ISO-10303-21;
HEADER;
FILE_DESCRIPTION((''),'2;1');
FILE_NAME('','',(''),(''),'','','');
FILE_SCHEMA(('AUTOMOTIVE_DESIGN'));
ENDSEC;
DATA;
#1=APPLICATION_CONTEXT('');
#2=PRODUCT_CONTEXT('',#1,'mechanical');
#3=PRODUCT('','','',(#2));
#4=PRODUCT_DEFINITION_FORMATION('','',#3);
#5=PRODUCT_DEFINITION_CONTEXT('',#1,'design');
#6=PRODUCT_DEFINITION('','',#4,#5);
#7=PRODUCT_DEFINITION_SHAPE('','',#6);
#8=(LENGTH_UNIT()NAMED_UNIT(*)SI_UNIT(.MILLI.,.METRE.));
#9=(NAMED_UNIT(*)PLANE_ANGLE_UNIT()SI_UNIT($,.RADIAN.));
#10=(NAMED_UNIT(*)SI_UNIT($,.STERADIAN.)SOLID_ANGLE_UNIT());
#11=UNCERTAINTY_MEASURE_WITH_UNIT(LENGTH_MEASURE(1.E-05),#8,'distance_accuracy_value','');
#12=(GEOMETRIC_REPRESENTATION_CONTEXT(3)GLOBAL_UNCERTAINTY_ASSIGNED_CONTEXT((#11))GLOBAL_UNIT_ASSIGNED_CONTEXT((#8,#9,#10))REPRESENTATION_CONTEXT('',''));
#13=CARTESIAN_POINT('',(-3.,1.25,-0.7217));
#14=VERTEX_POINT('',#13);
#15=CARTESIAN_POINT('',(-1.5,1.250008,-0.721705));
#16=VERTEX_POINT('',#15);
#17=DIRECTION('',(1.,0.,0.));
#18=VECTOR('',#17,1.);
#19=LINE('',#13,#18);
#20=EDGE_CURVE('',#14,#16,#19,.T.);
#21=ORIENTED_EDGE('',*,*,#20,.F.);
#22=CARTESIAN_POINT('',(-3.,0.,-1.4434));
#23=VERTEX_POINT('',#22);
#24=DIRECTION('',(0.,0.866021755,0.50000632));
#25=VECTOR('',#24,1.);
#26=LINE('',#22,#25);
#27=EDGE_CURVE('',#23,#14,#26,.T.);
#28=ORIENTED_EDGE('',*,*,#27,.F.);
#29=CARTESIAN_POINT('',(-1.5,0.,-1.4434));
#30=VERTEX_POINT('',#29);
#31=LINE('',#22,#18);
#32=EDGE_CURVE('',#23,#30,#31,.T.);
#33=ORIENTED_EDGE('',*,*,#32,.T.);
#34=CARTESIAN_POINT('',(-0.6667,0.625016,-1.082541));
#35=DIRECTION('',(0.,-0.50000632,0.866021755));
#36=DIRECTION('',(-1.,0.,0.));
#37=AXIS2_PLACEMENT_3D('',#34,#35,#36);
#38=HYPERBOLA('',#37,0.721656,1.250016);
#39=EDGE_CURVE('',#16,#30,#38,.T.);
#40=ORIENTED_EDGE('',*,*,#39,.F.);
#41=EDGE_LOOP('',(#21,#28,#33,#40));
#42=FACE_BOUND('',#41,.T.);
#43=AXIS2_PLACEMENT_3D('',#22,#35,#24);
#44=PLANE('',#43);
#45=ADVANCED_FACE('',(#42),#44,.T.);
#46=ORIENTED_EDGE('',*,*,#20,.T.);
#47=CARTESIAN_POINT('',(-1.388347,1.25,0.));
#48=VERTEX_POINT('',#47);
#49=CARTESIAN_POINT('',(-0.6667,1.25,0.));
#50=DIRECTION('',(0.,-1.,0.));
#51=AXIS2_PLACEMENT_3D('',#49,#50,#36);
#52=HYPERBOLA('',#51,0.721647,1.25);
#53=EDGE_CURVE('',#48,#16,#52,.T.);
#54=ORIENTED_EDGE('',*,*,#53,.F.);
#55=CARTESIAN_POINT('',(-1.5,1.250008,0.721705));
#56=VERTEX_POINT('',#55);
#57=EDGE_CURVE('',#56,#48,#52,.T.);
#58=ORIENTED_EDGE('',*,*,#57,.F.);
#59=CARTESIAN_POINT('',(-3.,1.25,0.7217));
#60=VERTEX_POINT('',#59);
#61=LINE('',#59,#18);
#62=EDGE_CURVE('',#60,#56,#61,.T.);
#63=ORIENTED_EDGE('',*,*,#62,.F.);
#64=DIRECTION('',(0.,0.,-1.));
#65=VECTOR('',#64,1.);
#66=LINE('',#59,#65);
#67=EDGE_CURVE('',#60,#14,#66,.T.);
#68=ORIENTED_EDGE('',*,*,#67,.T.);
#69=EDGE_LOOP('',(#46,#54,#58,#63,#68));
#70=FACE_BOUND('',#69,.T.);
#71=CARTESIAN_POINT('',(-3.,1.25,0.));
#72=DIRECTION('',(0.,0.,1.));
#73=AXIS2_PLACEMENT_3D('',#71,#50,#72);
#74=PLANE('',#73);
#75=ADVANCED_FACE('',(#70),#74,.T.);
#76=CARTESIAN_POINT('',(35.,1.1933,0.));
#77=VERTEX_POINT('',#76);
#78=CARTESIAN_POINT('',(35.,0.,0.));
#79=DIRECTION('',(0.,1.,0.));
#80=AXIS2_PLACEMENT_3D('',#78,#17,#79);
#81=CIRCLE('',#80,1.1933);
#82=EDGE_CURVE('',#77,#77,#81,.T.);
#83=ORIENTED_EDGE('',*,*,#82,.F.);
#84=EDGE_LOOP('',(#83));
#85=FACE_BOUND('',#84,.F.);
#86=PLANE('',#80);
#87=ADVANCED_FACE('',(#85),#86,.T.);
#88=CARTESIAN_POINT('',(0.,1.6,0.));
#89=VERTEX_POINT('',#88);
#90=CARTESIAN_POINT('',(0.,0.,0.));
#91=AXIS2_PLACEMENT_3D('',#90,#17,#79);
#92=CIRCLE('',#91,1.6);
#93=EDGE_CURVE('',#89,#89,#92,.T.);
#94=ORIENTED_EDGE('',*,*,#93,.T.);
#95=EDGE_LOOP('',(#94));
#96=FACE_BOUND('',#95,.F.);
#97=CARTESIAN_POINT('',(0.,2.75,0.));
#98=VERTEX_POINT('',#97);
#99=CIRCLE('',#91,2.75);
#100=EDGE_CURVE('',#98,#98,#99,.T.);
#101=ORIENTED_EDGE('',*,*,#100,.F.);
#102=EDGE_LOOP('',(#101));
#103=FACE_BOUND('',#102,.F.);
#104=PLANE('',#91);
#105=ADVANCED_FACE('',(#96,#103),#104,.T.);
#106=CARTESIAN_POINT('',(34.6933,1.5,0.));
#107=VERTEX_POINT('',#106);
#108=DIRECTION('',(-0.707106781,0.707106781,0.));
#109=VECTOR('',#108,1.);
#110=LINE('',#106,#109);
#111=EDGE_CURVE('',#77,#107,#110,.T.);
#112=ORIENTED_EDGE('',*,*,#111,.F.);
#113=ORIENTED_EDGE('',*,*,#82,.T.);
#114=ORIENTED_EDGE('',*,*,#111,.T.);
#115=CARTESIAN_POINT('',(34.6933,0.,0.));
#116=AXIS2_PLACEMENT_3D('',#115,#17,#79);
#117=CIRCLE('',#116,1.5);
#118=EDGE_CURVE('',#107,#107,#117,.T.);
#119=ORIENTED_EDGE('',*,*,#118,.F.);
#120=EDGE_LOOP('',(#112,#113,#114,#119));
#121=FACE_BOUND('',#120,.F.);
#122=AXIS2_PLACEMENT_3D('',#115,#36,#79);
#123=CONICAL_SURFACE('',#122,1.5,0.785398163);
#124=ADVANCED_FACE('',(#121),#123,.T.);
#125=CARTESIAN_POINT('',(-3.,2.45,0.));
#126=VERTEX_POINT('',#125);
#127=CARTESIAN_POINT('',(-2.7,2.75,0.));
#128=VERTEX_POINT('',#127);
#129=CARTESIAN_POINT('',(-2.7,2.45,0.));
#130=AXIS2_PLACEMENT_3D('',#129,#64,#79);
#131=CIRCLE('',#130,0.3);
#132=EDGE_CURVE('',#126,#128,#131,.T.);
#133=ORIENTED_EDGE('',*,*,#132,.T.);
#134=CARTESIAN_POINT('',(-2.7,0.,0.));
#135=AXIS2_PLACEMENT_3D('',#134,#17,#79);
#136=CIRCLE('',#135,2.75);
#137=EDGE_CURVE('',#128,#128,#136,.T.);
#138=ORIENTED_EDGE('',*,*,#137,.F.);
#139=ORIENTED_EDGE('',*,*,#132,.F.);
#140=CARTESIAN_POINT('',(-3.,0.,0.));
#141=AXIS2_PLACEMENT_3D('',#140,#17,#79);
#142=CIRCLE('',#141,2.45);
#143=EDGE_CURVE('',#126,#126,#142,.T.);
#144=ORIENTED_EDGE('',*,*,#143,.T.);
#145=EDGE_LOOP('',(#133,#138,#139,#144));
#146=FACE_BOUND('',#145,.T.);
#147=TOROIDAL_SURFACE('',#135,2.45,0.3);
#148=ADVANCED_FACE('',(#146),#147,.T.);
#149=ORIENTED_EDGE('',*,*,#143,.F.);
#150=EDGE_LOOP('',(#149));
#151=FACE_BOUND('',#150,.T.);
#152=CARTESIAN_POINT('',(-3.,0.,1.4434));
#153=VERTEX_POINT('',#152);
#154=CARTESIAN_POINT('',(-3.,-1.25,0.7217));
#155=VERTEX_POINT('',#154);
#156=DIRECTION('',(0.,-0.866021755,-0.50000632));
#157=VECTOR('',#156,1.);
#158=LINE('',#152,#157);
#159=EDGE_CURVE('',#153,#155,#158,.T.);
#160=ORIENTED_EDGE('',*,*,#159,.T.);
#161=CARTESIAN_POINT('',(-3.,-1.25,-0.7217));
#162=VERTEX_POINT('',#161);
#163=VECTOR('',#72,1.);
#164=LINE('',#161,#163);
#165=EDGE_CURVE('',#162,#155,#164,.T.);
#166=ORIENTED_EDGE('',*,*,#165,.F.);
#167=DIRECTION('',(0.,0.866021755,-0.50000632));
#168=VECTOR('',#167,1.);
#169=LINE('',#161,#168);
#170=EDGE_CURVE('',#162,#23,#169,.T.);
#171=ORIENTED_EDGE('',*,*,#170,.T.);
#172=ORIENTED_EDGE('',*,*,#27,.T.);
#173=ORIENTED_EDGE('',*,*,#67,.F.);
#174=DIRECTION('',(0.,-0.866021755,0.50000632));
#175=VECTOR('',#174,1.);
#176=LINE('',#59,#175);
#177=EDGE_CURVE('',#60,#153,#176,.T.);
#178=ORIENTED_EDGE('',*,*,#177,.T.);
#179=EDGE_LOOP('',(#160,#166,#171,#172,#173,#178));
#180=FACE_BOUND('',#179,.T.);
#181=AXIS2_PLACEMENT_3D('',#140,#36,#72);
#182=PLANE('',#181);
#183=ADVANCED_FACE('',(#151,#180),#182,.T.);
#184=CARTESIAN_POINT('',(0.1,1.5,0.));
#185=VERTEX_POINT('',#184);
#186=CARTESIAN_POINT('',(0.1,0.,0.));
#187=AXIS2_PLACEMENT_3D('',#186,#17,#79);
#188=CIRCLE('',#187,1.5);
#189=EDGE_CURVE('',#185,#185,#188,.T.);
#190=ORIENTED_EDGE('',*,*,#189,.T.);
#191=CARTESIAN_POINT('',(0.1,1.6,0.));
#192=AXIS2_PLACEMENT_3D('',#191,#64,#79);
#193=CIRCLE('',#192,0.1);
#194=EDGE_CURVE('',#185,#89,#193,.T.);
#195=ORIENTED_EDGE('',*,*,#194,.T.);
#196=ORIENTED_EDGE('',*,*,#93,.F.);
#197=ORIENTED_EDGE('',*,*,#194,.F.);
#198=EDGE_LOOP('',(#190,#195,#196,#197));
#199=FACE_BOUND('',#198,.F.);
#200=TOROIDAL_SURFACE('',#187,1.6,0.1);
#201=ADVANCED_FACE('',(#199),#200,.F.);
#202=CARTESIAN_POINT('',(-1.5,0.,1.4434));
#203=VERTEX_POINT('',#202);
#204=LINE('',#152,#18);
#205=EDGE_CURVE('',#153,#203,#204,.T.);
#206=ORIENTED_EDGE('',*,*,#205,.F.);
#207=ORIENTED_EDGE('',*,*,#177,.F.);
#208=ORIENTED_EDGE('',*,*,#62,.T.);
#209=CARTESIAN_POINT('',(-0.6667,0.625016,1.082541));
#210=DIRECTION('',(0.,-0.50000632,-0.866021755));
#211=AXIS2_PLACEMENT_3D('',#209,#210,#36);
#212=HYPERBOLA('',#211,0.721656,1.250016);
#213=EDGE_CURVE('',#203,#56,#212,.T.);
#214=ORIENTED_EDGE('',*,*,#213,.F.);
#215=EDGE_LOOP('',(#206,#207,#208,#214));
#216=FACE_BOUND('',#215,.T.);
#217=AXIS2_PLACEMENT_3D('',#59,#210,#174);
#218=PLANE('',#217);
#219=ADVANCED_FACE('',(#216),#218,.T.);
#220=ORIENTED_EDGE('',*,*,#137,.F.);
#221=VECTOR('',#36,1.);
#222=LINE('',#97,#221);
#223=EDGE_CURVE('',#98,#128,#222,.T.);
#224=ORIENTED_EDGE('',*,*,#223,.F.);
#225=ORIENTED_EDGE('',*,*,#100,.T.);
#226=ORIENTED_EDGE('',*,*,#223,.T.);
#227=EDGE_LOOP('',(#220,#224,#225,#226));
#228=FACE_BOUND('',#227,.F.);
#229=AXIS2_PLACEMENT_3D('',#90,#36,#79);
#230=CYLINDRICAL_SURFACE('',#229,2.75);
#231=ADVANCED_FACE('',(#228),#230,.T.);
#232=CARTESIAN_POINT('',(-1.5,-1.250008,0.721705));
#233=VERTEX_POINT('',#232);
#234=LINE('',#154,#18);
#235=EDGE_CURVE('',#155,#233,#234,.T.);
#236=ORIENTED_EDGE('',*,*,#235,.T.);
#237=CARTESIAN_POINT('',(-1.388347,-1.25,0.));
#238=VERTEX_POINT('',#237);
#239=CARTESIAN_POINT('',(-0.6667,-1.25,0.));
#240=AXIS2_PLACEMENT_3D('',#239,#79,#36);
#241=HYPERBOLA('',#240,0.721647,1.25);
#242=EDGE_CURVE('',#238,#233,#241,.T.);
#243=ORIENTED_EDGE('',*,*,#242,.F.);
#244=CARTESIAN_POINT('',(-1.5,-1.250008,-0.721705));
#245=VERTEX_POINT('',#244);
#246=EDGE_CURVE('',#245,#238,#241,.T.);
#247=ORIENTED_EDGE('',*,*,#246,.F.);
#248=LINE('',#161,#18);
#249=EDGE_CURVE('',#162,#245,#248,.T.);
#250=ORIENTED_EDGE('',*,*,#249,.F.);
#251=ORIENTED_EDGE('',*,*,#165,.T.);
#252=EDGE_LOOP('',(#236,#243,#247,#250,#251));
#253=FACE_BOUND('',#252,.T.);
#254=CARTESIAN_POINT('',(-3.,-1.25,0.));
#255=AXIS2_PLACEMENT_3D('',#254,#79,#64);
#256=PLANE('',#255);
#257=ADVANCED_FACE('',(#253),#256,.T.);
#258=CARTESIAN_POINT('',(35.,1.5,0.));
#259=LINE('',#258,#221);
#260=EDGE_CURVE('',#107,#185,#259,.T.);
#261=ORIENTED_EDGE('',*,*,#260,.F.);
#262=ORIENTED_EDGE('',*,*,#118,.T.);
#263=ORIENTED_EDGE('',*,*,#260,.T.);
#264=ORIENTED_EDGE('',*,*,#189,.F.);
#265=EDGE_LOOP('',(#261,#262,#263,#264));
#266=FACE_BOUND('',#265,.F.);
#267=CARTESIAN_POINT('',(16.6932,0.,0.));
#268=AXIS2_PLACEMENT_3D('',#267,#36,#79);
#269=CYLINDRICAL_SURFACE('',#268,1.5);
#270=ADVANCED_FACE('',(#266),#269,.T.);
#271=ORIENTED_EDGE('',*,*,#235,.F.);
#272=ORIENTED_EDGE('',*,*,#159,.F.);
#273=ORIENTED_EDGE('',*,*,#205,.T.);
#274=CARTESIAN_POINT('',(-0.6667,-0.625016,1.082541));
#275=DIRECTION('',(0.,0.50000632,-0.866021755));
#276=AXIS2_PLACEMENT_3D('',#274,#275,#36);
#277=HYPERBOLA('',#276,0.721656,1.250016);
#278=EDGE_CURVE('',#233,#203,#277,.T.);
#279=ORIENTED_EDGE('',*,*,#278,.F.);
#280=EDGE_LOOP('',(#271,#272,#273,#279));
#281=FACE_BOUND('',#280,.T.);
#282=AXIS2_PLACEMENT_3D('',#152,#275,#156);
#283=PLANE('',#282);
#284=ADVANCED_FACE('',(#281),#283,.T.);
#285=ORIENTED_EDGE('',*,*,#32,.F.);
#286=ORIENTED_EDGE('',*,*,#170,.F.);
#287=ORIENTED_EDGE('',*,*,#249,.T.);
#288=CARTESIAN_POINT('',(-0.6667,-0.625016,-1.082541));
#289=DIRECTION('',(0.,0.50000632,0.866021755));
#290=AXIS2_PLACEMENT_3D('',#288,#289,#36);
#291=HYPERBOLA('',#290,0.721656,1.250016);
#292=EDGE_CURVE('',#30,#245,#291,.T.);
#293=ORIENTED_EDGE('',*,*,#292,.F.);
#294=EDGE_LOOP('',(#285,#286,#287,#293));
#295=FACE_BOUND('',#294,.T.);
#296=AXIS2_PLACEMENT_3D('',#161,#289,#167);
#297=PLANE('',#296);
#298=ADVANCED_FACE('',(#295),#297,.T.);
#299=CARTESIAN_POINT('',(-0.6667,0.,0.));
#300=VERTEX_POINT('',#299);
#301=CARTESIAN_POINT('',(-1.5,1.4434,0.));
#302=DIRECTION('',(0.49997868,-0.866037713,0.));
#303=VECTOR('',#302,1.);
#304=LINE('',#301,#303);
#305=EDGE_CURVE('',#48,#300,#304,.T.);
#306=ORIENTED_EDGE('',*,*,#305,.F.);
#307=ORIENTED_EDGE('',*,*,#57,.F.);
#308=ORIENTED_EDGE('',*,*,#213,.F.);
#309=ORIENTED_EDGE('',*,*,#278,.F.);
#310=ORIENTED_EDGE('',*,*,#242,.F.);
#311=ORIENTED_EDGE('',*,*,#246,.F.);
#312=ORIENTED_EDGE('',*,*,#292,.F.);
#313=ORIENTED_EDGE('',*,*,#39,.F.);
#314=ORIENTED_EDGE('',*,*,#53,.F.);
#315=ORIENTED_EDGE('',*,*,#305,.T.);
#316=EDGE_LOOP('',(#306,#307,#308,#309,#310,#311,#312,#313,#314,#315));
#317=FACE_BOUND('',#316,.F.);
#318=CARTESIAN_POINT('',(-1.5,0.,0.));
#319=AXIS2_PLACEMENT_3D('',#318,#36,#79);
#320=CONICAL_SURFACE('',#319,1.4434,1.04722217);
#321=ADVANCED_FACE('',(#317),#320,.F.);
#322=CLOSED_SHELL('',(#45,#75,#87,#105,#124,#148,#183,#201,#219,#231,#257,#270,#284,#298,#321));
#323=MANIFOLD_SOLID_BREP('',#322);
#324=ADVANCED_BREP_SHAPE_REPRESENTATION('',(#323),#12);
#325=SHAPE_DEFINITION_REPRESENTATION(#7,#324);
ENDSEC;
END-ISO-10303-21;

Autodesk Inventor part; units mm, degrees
ref_plane "YZ Plane" through (0, 0, 0) normal (1, 0, 0) x (0, 1, 0)
ref_plane "XZ Plane" through (0, 0, 0) normal (0, 1, 0) x (-1, 0, 0)
sketch "Sketch1" plane through (0, 0, 0) normal (0, 0, 1) x (1, 0, 0)
  line L0 (-0.6667, 0) -> (35, 0)
  line L1 (35, 0) -> (35, 1.5)
  line L2 (35, 1.5) -> (17, 1.5)
  line L3 (17, 1.5) -> (16.6932, 1.5)
  line L4 (16.6932, 1.5) -> (0, 1.5)
  line L5 (0, 1.5) -> (0, 2.75)
  line L6 (0, 2.75) -> (-3, 2.75)
  line L7 (-3, 2.75) -> (-3, 1.4434)
  line L8 (-3, 1.4434) -> (-1.5, 1.4434)
  line L9 (-1.5, 1.4434) -> (-0.6667, 0)
  line L10 (-9.6, 0) -> (36.6, 0) projected
  line L11 (0, -0.55) -> (0, 3.3) projected
  line L12 (17, 1.5) -> (0, 1.5) construction
  dimension "d1" = 18
  dimension "d2" = 0.3068
  dimension "d3" = 3
  dimension "d4" = 1.5
  dimension "d5" = 60
  dimension "d6" = 3
  dimension "d7" = 3
  dimension "d8" = 2.8868
  dimension "d9" = 5.5
  dimension "d26" = 35
revolve "Body" add sketch "Sketch1" angle 360 about axis through (-0.6667, 0, 0) along (1, 0, 0)
sketch "Sketch2" plane through (-3, 0, 0) normal (-1, 0, 0) x (0, 0, 1)
  circle A0 centre (0, 0) radius 1.4434 projected
  line L0 (0, -3.85) -> (0, 3.85) projected
  line L1 (-3.85, 0) -> (3.85, 0) projected
  line L2 (1.4434, 0) -> (0.7217, -1.25)
  line L3 (0.7217, -1.25) -> (-0.7217, -1.25)
  line L4 (-0.7217, -1.25) -> (-1.4434, 0)
  line L5 (-1.4434, 0) -> (-0.7217, 1.25)
  line L6 (-0.7217, 1.25) -> (0.7217, 1.25)
  line L7 (0.7217, 1.25) -> (1.4434, 0)
extrude "Slot" add sketch "Sketch2" against normal up to next contours L7 A0 | A0 L2 | L6 L0 A0 | A0 L0 L3 | L0 L6 A0 | A0 L3 L0 | L4 A0 | A0 L5
fillet "Fillet1" radius 0.3 1 edges at (-3, -2.75, 0)
thread "Thread" size "M3x0.5" class "6g" standard "ISO Metric profile" length 18
chamfer "Chamfer1" distance 0.3067 distance2 0.3067 1 edges at (35, -1.5, 0) measured on face at (35, -0.8773, -0.3972)
ref_plane "Work Plane1" through (29, 0, 0) normal (0, -1, 0) x (1, 0, 0)
fillet "Fillet2" radius 0.1 1 edges at (0, -1.5, 0)
equation "\"d1\" = GEL"
equation "\"d3\" = KOH"
equation "\"d4\" = INTI"
equation "\"d6\" = GD"
equation "\"d7\" = BDM"
equation "\"d8\" = 1.1547 * SW"
equation "\"d9\" = KOD"
equation "\"d26\" = NLG"
equation "\"d30\" = R"
equation "\"d17\" = RR"
equation "\"d13\" = GEL"
equation "\"d15\" = -0.5 * SPD + 0.5 * GD"
equation "\"d16\" = GUL"
equation "\"GD\" = NND"
equation "\"NLG\" = 35"
equation "\"GEL\" = 18"
equation "\"KOD\" = 5.5"
equation "\"KOH\" = 3"
equation "\"INTI\" = 1.5"
equation "\"GAL\" = 0.61345 * PTC"
equation "\"GUL\" = 0.61345 * PTC"
equation "\"BDM\" = NND"
equation "\"SW\" = 2.5"
equation "\"RR\" = 0.3"
equation "\"SPD\" = 2.38655"
equation "\"R\" = 0.1"
equation "\"TOA\" = 30deg"
equation "\"THREADDIA\" = 3"
equation "\"PTC\" = 0.5"
equation "\"NND\" = 3"
equation "\"E0\" = 1.155 * SW"
equation "\"GD1\" = THREADDIA - 1.2269 * PTC"
properties material "Steel, Mild"
